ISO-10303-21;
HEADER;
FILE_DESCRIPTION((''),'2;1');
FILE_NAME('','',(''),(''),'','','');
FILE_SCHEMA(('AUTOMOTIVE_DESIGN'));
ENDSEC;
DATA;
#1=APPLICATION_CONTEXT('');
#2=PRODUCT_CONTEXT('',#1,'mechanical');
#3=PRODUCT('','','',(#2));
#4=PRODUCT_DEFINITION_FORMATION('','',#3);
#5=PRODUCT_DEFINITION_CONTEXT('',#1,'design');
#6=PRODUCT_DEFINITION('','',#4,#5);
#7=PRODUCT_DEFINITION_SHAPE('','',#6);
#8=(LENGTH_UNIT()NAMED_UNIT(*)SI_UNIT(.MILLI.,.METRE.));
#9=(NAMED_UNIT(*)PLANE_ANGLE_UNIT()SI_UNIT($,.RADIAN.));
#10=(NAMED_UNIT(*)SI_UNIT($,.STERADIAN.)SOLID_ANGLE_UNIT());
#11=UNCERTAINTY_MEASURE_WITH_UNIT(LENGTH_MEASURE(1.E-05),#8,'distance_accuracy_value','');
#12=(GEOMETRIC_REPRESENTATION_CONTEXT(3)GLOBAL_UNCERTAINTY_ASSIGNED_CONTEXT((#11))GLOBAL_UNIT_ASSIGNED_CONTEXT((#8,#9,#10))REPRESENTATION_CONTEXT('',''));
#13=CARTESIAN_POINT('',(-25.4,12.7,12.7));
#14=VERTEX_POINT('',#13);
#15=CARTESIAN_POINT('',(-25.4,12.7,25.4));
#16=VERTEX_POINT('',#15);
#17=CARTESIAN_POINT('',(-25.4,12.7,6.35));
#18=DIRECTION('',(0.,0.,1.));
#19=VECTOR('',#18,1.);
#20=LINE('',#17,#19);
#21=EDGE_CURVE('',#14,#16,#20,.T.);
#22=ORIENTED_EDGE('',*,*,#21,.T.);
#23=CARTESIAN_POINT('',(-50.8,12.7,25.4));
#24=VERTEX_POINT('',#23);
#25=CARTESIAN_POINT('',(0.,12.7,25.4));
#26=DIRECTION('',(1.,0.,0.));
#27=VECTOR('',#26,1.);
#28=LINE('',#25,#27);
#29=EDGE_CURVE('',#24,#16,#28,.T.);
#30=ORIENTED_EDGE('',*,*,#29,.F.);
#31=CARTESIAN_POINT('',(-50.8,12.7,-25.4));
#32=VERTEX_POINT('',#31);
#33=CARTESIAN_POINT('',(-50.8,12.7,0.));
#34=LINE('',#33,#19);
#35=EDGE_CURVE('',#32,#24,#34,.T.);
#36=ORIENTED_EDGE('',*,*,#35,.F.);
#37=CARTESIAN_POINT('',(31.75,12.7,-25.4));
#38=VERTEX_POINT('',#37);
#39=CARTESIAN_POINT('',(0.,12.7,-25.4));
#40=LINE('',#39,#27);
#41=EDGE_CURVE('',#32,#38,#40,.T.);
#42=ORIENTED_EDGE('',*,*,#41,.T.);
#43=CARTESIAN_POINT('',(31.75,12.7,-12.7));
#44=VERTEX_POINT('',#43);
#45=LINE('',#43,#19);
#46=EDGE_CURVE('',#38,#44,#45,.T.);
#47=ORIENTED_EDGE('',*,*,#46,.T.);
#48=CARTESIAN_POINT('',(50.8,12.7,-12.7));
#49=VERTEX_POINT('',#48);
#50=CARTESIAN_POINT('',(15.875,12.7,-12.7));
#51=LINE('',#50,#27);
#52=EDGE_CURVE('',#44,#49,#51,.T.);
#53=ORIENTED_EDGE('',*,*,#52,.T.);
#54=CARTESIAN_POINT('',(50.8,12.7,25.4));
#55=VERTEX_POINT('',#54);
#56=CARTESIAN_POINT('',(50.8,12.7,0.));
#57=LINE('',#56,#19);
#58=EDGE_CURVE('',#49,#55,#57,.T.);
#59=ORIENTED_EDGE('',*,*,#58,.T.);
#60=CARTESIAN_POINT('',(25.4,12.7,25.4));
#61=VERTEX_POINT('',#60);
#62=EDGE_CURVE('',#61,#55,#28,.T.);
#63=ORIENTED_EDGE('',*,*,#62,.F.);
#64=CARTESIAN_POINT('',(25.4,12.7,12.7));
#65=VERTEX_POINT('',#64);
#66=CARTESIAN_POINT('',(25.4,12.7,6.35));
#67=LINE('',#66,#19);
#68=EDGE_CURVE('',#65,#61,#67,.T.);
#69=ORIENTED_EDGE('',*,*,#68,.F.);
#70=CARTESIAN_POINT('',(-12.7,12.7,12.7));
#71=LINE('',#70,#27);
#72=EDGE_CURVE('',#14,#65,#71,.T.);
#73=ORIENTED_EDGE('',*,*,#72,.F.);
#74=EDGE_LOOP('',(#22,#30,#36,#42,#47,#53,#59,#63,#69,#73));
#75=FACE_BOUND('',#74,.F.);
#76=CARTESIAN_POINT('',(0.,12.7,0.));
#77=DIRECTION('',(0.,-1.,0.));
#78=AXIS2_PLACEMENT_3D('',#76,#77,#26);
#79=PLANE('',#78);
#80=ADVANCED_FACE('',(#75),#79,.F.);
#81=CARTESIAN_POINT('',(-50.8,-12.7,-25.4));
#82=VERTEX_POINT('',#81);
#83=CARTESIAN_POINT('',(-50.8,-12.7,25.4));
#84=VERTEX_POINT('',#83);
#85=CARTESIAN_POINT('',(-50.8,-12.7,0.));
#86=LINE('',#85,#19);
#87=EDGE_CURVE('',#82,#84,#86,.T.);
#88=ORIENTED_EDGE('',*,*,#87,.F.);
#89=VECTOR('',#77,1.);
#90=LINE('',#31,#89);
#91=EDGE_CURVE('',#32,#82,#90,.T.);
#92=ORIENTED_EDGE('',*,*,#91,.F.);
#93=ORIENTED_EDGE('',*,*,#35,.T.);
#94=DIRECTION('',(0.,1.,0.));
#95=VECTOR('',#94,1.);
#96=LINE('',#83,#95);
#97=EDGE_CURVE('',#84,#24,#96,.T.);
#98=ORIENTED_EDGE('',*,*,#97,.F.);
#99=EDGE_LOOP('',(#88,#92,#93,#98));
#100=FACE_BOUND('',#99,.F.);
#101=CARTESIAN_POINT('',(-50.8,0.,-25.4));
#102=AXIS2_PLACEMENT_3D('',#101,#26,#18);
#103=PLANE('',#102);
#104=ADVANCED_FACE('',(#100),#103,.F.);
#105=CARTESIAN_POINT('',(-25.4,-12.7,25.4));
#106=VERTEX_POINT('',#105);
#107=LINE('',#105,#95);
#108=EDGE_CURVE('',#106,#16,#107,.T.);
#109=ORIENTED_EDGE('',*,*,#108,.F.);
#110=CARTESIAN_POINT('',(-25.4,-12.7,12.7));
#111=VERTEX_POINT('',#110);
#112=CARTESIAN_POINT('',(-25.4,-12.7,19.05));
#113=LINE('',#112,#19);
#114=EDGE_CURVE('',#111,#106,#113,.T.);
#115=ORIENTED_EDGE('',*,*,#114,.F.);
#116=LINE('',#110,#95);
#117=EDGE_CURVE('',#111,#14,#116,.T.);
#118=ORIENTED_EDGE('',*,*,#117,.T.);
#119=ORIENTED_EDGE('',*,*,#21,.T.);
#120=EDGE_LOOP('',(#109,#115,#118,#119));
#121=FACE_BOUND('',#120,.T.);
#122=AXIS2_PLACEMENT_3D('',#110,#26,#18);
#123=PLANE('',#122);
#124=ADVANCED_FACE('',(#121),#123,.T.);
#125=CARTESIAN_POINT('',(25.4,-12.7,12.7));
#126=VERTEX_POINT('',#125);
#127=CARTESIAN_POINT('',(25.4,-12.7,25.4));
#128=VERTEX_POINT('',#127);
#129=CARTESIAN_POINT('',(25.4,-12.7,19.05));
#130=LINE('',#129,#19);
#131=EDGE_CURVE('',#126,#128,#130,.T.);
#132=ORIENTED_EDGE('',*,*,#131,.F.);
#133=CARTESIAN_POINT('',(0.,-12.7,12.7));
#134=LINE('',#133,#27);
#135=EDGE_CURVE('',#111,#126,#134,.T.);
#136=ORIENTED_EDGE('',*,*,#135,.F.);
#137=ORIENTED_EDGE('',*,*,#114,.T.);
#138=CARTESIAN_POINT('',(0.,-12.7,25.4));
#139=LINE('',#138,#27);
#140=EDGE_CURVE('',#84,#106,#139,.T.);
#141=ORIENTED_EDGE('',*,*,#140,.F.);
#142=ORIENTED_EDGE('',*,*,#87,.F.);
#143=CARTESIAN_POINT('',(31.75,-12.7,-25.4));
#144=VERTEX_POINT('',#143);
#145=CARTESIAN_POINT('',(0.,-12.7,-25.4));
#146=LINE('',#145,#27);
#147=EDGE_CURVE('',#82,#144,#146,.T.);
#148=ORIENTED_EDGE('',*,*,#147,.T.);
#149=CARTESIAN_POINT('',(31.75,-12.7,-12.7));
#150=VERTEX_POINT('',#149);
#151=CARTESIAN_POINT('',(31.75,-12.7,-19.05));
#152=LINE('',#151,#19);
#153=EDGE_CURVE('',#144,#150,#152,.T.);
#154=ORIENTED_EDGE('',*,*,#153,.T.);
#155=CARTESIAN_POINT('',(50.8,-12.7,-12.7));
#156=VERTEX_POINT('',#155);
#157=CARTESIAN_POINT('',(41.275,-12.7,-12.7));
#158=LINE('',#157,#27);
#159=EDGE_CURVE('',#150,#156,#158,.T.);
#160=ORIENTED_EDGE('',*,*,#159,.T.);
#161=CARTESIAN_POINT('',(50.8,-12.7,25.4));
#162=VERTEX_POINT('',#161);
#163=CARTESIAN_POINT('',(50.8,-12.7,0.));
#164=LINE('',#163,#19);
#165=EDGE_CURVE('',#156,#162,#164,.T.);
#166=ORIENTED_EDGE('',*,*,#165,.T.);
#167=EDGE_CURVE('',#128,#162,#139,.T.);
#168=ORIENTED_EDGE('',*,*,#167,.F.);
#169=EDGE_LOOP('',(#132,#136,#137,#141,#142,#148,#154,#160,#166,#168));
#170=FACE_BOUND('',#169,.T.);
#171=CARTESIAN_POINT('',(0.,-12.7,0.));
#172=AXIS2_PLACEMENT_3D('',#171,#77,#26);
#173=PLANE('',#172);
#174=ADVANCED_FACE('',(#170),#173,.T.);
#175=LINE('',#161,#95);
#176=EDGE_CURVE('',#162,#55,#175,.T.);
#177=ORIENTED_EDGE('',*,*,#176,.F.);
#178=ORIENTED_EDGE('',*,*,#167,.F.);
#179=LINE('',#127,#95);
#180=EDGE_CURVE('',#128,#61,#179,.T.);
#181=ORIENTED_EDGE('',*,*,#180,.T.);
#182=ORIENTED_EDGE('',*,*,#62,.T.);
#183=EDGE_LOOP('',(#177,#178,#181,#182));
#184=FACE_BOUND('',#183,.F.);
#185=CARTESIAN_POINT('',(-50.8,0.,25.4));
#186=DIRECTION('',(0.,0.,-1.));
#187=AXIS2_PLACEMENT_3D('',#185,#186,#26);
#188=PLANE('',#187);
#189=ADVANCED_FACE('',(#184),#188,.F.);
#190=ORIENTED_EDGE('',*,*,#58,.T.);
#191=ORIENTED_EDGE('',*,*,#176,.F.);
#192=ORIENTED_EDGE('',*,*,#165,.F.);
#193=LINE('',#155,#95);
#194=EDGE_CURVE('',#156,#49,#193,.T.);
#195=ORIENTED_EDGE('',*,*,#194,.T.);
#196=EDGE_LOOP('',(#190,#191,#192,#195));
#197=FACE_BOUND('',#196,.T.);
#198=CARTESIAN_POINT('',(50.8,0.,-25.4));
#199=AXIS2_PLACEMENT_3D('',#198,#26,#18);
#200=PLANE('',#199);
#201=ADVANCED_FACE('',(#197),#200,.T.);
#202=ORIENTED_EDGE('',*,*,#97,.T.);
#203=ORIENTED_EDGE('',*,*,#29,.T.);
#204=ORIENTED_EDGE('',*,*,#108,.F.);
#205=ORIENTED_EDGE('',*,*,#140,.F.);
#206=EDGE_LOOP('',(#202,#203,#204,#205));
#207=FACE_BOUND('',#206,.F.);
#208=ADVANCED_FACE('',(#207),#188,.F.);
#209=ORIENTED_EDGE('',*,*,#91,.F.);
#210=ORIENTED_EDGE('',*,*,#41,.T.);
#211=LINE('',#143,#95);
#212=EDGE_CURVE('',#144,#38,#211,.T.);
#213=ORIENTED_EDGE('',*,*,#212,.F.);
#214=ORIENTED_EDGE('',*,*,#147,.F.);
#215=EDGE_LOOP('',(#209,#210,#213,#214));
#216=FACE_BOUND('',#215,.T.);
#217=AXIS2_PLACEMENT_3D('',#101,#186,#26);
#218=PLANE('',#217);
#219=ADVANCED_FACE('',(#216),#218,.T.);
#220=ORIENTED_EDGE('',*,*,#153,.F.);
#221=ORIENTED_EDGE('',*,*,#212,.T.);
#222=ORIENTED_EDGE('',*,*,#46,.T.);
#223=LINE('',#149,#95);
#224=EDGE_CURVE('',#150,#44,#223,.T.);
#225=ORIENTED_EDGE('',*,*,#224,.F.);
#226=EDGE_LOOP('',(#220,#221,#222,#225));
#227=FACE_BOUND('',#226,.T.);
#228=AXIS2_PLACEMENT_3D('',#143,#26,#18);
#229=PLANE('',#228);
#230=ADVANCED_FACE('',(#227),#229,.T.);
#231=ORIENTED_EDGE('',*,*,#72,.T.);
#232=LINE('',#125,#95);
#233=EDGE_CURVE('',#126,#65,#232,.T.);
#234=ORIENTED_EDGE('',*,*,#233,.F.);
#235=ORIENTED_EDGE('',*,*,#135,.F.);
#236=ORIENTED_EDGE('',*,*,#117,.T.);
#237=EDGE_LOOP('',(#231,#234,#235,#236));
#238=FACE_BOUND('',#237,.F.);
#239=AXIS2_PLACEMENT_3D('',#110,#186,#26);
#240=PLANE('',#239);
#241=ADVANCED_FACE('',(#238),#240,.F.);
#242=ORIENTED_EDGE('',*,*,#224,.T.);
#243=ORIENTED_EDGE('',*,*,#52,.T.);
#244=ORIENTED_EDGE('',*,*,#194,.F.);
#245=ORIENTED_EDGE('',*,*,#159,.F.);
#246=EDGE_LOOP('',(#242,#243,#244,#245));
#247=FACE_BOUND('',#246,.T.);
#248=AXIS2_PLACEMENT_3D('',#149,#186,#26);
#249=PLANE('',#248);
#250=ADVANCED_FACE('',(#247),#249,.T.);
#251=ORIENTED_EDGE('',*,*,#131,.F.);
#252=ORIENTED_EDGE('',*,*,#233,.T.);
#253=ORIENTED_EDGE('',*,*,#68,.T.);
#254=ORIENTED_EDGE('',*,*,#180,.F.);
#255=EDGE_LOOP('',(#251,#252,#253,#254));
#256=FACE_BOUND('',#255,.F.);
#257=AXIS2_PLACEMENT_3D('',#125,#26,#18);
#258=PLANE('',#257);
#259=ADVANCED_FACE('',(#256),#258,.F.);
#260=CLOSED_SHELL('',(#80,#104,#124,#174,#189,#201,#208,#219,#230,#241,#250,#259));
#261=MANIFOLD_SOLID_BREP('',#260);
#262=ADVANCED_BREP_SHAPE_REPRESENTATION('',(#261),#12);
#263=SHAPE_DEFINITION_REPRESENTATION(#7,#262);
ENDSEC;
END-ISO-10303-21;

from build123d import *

# Parameters (mm, degrees)
F0_W     = 101.6
F0_H     = 50.8
F1_DEPTH = 12.7
F2_W     = 19.05
F2_H     = 12.7
F3_DEPTH = 25.401
F4_W     = 50.8
F4_H     = 12.7
F5_DEPTH = 25.401


with BuildPart() as f1:
    # F0 (on Front) → F1 (new body, symmetric)
    with BuildSketch(Plane.XZ):
        Rectangle(F0_W, F0_H)
    extrude(amount=F1_DEPTH, both=True)

    # F2 (on face) → F3 (cut, through all)
    with BuildSketch(Plane.XZ.offset(12.7)):
        with Locations((41.275, -19.05)):
            Rectangle(F2_W, F2_H)
    extrude(amount=-F3_DEPTH, mode=Mode.SUBTRACT)

    # F4 (on face) → F5 (cut, through all)
    with BuildSketch(Plane.XZ.offset(12.7)):
        with Locations((0, 19.05)):
            Rectangle(F4_W, F4_H)
    extrude(amount=-F5_DEPTH, mode=Mode.SUBTRACT)


solid = f1.part
